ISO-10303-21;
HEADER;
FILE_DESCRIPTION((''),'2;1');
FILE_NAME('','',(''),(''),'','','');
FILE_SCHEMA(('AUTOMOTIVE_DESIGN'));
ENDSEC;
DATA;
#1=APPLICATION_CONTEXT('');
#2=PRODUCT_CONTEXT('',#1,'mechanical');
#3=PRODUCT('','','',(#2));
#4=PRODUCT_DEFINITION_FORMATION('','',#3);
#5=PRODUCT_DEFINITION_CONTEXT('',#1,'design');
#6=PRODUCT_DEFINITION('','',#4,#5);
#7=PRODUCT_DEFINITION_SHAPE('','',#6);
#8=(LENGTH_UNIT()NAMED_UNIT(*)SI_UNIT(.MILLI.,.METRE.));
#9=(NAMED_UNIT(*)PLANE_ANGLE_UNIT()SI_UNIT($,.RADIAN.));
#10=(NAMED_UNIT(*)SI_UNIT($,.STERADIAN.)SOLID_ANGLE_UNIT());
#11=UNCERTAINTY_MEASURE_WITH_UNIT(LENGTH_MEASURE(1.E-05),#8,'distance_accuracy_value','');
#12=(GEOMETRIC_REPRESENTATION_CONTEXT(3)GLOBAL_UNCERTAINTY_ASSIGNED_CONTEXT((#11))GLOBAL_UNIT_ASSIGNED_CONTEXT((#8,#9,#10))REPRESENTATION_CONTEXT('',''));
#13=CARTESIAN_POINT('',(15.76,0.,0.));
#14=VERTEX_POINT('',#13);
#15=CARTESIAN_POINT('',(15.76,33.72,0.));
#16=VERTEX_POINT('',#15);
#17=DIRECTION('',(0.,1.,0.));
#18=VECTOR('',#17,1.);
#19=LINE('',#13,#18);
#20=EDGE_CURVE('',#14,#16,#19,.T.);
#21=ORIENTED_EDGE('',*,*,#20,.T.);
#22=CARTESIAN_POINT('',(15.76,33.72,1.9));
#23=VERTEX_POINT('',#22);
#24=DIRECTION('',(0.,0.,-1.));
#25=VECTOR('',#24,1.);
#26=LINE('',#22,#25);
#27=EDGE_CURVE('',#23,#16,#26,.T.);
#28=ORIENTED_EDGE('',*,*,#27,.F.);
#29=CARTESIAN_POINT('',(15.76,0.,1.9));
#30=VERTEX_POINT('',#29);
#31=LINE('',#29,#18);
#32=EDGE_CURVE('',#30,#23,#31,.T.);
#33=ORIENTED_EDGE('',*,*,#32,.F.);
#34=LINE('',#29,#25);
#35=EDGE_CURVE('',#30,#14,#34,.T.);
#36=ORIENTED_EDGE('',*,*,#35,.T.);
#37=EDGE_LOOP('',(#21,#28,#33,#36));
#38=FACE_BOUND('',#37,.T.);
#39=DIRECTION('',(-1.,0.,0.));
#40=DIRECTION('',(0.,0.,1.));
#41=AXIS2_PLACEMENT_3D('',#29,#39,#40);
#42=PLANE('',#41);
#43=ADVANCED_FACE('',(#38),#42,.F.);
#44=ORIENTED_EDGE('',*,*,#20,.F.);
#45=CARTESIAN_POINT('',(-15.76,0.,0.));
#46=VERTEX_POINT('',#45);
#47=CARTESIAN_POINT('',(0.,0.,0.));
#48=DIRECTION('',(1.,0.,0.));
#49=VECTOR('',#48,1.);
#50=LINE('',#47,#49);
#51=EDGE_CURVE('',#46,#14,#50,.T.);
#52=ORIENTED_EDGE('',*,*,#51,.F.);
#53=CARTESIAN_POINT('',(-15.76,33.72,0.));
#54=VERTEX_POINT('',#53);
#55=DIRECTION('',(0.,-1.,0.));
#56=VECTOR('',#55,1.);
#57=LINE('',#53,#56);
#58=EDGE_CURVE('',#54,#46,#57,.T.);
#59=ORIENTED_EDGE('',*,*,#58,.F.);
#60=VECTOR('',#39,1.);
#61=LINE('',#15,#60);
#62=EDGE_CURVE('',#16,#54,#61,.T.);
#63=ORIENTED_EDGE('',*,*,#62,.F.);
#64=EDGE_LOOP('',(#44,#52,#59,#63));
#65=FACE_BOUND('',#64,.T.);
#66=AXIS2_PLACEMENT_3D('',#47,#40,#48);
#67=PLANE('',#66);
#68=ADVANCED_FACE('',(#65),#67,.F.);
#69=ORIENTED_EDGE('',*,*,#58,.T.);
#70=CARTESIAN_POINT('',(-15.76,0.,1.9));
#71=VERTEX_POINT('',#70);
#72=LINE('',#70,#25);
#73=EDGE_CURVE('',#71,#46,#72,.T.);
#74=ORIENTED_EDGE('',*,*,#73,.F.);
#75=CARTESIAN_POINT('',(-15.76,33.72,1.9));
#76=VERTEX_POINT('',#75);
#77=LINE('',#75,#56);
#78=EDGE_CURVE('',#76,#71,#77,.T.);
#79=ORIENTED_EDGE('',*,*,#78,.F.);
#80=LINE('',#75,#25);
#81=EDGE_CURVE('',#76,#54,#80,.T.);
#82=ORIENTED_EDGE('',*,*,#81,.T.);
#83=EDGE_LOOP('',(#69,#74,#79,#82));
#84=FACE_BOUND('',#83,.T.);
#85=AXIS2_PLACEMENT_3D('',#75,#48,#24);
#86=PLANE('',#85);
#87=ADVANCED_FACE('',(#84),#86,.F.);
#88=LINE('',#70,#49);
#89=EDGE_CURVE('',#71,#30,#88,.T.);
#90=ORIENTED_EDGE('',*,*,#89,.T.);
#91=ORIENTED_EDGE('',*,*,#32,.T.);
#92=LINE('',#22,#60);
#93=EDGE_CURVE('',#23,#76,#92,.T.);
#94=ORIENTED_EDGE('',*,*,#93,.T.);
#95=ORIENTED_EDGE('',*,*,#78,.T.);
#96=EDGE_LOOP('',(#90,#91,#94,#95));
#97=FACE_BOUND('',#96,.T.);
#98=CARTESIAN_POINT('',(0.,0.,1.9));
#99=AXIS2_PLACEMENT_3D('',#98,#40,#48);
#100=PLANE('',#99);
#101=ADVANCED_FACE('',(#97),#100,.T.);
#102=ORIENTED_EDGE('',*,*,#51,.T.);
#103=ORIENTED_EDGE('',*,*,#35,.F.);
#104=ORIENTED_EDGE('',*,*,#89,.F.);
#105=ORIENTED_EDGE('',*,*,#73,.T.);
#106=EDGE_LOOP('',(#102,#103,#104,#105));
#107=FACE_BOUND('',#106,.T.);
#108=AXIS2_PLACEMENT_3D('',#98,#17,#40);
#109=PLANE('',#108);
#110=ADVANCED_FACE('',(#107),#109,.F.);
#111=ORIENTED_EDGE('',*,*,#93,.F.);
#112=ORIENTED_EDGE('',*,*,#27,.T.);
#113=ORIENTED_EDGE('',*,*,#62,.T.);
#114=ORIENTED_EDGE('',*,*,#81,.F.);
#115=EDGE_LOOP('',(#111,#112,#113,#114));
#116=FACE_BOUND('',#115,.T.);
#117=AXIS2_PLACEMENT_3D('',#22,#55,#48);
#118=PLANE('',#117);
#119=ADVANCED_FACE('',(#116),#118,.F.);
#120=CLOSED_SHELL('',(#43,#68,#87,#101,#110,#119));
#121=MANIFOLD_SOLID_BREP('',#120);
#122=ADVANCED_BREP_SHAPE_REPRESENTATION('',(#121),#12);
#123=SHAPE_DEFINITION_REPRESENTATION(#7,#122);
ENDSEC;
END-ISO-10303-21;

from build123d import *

# Parameters (mm, degrees)
EXTRUDE_1_DEPTH = 1.9


with BuildPart() as part:
    # 草图1 → 凸台-拉伸1 (new body)
    with BuildSketch(Plane.XY):
        Polygon((0, 0), (15.76, 0), (15.76, 33.72), (-15.76, 33.72), (-15.76, 0), align=None)
    extrude(amount=EXTRUDE_1_DEPTH)


solid = part.part
